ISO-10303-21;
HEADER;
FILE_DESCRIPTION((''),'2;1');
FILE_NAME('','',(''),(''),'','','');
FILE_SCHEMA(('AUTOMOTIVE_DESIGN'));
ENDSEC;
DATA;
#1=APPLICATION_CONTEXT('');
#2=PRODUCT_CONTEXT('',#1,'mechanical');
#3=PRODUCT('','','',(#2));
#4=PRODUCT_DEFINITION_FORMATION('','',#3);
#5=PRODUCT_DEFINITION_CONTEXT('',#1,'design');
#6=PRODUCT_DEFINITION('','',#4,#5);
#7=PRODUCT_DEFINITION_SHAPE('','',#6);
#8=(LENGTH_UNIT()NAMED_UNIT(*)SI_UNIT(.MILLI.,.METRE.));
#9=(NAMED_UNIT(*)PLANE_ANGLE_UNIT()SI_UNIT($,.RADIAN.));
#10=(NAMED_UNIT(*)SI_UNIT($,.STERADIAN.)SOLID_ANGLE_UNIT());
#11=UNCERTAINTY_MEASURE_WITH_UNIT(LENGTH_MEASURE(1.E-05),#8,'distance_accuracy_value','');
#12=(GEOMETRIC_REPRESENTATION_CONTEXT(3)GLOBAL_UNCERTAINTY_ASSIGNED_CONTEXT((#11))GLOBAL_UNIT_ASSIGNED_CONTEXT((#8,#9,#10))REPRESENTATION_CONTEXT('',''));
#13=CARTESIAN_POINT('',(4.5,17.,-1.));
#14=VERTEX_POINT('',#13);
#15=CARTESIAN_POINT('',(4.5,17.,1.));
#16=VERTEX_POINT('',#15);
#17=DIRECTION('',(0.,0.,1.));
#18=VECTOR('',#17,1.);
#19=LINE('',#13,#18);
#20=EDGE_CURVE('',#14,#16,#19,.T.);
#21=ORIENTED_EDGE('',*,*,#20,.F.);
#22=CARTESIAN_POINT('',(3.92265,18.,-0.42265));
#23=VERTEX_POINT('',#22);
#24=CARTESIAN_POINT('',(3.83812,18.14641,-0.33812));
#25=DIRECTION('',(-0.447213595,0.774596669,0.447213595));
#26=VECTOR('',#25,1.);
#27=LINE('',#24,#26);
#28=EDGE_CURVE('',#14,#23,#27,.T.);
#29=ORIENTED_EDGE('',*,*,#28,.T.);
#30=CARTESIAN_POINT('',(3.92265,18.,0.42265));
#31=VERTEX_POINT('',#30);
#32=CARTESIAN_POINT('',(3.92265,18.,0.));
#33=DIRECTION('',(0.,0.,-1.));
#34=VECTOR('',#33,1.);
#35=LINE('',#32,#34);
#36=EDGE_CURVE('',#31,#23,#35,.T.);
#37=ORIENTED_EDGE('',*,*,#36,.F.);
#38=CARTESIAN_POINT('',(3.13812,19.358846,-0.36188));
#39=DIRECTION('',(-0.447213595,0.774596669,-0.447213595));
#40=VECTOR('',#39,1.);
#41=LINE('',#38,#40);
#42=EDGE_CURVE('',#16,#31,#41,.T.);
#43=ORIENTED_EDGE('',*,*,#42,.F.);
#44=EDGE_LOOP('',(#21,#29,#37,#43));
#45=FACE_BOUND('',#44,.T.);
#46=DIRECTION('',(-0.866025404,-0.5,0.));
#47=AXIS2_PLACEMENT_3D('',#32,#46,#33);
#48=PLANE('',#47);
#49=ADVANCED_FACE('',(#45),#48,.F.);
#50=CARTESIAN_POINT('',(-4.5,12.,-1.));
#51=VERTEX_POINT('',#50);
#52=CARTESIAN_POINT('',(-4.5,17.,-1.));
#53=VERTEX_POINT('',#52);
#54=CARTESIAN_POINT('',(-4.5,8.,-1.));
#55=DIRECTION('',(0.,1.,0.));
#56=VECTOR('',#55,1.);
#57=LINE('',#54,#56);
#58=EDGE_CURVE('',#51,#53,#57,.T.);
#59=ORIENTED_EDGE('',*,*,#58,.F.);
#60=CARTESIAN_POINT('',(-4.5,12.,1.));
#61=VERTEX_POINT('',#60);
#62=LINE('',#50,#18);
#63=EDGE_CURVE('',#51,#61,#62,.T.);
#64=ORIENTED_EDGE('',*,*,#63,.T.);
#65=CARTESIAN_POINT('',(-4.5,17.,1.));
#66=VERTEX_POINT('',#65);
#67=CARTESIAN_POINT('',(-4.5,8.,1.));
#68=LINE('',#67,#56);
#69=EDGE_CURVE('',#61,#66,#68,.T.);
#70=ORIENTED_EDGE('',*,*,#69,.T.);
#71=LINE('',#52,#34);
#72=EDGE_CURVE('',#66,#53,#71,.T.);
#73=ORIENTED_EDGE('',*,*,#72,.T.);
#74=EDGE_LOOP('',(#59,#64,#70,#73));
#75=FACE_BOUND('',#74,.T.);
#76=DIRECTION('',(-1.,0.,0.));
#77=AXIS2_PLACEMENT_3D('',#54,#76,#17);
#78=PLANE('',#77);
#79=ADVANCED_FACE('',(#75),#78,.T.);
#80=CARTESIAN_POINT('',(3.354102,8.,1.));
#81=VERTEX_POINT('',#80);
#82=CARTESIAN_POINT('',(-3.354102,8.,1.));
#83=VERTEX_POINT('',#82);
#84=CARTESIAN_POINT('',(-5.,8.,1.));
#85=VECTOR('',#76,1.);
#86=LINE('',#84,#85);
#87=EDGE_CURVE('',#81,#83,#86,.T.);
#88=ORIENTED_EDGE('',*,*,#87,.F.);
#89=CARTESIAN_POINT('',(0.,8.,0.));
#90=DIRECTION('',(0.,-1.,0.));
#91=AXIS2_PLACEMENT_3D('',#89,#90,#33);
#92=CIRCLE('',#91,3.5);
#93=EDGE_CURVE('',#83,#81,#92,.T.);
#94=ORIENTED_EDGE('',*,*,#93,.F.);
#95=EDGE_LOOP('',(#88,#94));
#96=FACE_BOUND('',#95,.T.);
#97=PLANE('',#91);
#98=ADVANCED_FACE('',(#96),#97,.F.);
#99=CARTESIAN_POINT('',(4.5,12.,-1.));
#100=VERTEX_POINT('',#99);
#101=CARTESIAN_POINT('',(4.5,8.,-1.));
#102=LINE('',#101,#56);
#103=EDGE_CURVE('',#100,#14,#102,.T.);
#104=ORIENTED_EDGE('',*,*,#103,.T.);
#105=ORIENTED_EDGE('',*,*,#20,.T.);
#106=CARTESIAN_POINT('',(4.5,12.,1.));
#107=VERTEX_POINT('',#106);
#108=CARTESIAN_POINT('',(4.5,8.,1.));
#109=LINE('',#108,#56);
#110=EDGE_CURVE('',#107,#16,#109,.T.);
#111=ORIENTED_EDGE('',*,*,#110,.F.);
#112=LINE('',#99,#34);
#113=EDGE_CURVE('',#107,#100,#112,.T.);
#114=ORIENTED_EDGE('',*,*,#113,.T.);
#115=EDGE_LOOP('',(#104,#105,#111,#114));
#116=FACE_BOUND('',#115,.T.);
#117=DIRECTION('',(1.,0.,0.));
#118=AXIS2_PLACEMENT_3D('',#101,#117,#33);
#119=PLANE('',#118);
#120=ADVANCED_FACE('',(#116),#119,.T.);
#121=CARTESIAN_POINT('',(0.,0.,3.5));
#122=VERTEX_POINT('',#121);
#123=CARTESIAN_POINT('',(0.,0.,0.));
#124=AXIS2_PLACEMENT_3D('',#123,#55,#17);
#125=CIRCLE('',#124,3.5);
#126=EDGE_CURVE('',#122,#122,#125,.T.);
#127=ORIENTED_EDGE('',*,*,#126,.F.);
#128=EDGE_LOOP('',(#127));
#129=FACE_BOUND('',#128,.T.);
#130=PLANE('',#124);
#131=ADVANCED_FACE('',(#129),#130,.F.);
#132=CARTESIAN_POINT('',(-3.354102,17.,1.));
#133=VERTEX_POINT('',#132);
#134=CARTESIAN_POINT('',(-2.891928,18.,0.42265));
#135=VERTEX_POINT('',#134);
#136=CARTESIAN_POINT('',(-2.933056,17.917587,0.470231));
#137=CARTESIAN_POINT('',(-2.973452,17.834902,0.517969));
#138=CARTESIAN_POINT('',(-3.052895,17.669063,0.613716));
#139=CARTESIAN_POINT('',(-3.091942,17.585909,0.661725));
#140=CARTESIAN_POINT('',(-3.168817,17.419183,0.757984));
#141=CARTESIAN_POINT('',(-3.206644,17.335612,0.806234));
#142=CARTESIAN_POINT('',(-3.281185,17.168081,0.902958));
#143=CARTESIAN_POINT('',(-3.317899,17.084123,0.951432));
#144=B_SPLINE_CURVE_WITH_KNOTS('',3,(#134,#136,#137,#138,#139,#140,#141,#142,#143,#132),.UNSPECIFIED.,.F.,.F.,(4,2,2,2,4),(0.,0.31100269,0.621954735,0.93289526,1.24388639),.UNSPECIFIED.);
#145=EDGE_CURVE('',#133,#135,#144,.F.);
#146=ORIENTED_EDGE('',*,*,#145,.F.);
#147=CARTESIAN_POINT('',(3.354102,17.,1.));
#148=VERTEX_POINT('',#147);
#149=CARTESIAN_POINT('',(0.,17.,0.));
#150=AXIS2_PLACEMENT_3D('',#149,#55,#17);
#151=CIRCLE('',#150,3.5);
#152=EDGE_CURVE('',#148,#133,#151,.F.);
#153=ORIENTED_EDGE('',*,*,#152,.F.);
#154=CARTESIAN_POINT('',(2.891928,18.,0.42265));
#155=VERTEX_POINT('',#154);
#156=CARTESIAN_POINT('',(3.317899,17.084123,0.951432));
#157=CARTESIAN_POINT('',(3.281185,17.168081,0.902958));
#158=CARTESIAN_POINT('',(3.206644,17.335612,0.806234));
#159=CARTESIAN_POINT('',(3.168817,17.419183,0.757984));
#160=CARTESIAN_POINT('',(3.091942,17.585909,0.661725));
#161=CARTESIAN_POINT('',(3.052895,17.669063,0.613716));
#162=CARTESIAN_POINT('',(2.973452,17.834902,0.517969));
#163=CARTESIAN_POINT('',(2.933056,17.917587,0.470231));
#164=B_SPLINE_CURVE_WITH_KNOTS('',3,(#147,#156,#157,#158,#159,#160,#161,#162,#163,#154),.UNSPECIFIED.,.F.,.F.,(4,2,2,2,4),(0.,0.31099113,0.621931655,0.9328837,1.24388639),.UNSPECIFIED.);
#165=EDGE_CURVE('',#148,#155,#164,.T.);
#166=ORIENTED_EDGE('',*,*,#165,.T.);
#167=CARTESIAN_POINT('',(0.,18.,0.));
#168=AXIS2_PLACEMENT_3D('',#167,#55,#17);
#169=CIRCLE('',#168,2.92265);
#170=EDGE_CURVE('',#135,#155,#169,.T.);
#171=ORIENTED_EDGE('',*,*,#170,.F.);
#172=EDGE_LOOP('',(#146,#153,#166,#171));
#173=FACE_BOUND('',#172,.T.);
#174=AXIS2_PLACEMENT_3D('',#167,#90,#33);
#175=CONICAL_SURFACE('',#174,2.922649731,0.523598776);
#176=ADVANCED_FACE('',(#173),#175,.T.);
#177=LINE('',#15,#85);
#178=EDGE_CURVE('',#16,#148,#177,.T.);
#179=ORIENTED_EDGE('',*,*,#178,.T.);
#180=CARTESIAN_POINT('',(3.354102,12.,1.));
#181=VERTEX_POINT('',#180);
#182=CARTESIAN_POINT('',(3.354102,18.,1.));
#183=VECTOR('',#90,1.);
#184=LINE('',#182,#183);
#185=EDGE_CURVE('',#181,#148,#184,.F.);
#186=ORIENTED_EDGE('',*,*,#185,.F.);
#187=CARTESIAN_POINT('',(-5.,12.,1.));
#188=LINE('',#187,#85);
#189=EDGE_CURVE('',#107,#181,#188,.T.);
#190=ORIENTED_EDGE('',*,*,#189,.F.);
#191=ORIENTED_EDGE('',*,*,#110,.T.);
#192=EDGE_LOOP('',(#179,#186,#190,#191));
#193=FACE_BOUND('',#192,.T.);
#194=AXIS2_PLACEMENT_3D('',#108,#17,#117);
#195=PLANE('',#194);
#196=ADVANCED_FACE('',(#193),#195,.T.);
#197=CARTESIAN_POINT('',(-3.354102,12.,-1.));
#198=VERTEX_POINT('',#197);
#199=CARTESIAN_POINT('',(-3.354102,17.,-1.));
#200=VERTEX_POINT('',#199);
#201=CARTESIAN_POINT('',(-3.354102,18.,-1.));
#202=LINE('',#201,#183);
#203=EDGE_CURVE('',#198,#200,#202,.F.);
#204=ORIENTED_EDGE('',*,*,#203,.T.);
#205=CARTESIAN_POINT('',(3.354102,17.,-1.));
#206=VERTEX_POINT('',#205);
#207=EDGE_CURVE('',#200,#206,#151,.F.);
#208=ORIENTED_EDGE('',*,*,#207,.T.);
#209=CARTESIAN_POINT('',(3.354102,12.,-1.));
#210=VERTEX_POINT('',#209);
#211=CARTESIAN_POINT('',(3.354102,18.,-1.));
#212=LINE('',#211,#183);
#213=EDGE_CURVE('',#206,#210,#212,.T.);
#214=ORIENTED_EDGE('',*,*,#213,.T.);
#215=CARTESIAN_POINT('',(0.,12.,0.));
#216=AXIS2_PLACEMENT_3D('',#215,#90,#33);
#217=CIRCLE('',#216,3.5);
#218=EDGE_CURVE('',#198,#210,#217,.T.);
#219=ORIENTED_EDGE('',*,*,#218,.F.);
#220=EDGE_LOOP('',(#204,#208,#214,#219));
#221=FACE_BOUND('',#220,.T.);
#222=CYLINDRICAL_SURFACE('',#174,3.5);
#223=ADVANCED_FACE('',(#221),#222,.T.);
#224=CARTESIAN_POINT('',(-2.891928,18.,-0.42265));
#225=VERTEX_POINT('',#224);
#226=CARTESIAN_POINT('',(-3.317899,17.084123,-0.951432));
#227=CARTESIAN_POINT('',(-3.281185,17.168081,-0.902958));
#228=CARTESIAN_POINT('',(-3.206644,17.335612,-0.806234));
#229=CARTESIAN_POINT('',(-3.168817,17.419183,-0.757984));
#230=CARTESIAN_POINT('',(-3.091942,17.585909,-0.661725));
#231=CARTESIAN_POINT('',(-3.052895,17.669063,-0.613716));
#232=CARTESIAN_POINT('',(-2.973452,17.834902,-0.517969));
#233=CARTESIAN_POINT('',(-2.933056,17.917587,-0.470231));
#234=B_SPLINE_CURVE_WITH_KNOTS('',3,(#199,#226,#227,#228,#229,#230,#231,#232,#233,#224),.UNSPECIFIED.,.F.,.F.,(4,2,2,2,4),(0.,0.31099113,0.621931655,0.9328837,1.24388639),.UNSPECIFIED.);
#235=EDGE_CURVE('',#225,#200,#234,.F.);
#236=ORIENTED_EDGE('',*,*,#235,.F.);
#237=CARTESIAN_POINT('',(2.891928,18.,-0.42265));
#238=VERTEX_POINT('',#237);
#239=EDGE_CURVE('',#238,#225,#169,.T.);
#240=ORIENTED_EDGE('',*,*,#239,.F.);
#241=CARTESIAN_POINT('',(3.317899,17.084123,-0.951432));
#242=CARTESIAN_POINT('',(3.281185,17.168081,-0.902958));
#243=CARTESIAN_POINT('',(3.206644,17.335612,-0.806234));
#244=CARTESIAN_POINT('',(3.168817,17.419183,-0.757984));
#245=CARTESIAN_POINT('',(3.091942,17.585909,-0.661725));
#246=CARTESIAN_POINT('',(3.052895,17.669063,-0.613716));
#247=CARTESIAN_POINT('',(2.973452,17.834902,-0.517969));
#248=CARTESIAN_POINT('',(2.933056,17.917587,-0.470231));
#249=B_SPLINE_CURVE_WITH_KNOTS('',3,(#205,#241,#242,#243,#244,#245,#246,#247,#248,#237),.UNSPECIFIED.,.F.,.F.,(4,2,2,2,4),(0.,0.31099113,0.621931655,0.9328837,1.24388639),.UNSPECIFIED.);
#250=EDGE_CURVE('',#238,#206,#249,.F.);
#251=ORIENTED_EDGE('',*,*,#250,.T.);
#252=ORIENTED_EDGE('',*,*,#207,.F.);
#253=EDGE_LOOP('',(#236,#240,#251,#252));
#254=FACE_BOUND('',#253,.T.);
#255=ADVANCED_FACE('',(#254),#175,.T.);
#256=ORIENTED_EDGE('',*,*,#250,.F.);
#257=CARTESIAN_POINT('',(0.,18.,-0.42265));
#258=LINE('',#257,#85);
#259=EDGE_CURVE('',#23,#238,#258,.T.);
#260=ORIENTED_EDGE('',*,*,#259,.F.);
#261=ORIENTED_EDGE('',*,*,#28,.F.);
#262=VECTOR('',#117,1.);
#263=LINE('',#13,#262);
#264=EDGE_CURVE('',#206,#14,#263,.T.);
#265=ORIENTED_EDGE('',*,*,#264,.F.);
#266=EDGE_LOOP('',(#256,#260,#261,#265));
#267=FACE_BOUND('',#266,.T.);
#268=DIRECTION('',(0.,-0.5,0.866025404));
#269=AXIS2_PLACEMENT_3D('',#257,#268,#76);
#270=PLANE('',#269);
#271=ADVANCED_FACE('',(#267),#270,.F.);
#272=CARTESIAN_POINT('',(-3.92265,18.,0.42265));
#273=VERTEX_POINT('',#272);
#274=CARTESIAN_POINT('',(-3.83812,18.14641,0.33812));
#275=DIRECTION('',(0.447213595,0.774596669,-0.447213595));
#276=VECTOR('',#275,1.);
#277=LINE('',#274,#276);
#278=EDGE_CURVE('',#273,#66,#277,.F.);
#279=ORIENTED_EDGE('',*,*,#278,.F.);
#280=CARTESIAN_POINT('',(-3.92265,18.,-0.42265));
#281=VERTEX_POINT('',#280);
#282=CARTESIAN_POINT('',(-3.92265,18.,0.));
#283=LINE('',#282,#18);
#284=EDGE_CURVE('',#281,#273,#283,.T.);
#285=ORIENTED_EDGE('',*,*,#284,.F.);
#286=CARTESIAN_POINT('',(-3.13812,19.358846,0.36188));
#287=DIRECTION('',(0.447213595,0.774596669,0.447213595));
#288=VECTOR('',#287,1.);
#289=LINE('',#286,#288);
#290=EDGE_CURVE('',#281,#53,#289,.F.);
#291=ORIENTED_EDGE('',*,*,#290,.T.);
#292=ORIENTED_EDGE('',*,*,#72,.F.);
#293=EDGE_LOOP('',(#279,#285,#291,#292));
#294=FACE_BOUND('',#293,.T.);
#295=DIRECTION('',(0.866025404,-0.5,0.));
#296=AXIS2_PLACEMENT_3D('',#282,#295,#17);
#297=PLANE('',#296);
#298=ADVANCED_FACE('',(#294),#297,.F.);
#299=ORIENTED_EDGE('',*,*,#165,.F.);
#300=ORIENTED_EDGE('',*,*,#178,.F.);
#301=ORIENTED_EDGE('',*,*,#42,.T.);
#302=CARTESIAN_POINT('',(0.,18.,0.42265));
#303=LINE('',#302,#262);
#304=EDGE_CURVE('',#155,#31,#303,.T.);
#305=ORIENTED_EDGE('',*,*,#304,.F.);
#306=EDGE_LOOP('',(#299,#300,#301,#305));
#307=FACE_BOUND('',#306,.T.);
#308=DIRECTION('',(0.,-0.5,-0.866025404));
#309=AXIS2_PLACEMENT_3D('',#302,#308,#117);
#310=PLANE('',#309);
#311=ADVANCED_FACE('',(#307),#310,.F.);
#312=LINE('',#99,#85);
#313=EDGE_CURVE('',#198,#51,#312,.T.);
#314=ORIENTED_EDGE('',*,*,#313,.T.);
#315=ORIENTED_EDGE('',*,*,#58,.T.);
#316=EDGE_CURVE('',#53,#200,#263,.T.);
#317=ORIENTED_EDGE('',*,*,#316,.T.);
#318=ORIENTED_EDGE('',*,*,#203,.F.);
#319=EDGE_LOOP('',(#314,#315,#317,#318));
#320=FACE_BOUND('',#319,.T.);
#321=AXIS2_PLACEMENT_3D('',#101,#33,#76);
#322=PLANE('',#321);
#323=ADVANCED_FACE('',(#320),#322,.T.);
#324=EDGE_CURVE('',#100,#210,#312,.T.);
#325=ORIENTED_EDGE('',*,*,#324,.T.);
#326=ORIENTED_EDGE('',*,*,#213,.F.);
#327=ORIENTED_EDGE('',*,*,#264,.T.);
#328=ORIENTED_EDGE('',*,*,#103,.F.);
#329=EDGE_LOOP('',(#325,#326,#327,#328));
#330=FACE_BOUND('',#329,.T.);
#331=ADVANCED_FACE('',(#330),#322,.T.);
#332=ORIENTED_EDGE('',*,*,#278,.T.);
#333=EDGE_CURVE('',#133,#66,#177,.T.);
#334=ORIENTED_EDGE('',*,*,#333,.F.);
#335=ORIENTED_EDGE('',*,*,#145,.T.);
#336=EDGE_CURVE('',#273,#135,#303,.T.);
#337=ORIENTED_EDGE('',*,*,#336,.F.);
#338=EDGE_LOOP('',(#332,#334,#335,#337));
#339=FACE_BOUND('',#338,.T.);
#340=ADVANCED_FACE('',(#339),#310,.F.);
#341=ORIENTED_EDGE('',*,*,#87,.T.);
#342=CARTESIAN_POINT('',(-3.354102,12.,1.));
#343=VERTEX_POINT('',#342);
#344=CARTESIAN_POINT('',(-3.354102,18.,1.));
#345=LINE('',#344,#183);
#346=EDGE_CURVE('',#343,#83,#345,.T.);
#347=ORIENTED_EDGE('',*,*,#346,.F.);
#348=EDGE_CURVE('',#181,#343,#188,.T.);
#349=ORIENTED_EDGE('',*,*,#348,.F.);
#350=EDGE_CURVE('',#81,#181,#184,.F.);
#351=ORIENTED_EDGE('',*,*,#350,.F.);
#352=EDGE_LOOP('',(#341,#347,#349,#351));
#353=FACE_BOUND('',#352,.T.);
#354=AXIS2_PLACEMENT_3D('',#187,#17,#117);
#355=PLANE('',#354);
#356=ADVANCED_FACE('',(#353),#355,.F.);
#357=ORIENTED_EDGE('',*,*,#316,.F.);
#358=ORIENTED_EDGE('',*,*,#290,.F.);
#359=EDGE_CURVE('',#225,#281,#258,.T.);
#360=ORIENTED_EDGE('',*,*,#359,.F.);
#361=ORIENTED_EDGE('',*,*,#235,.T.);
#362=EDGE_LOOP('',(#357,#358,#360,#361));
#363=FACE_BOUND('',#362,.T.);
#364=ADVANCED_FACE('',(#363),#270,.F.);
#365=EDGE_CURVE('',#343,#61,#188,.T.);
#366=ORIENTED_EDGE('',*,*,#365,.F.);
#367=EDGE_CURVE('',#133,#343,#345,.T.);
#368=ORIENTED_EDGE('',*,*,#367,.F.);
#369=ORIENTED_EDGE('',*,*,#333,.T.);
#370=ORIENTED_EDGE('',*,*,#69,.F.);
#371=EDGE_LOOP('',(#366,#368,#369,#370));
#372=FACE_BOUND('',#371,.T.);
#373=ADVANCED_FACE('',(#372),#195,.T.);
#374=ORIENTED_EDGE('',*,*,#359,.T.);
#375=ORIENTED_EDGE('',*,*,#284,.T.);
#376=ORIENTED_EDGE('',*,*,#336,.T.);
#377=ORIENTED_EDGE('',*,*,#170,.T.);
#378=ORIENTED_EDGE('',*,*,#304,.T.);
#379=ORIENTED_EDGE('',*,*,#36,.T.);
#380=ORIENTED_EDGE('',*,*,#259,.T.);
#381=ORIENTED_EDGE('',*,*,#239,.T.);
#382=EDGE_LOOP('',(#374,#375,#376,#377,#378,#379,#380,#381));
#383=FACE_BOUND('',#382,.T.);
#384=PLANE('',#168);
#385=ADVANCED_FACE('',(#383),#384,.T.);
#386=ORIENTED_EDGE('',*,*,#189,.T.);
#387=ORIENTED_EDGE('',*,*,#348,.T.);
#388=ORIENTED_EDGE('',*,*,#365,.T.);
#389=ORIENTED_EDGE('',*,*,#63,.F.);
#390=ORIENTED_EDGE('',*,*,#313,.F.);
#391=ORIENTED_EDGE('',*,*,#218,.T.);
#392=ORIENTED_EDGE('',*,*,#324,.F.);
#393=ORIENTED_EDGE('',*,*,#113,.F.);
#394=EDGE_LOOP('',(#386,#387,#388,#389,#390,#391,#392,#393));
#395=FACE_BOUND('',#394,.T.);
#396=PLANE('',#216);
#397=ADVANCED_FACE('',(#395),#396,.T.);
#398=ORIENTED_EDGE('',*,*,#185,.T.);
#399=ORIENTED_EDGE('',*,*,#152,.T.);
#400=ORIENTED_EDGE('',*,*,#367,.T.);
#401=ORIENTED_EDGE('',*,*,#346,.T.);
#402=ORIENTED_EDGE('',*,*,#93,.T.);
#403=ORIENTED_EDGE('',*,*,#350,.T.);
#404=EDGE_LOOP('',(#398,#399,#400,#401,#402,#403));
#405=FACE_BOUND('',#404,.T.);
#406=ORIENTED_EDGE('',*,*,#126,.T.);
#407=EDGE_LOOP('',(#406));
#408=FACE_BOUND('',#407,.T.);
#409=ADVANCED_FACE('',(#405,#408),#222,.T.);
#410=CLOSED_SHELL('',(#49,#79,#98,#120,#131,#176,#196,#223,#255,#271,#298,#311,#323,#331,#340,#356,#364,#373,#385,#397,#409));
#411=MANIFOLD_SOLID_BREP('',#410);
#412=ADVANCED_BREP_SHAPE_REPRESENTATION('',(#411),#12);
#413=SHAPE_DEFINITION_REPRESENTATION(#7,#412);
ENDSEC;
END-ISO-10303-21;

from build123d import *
from OCP.BRepFilletAPI import BRepFilletAPI_MakeChamfer

# Parameters (mm, degrees)
SKETCH1_R           = 3.5
BOSS_EXTRUDE1_DEPTH = 18
SKETCH2_W           = 9
SKETCH2_H           = 2
BOSS_EXTRUDE3_DEPTH = 10
CUT_EXTRUDE3_START  = -8
SKETCH3_W           = 10
SKETCH3_H           = 4.5
CUT_EXTRUDE3_DEPTH  = 4
CHAMFER1_SIZE       = 1
CHAMFER1_SIZE2      = 0.577350269


with BuildPart() as part:
    # Sketch1 → Boss-Extrude1 (new body)
    with BuildSketch(Plane(origin=(0, 0, 0), x_dir=(1, 0, 0), z_dir=(0, 1, 0))):
        with Locations(Location((0, 0, 0), (0, 0, 270))):
            Circle(SKETCH1_R)
    extrude(amount=BOSS_EXTRUDE1_DEPTH)

    # Sketch2 → Boss-Extrude3 (add)
    with BuildSketch(Plane(origin=(0, 18, 0), x_dir=(1, 0, 0), z_dir=(0, 1, 0))):
        Rectangle(SKETCH2_W, SKETCH2_H)
    extrude(amount=-BOSS_EXTRUDE3_DEPTH)

    # Sketch3 → Cut-Extrude3 (cut)
    with BuildSketch(Plane.XZ.offset(CUT_EXTRUDE3_START)):
        with Locations((0, -1.25)):
            Rectangle(SKETCH3_W, SKETCH3_H)
    extrude(amount=-CUT_EXTRUDE3_DEPTH, mode=Mode.SUBTRACT)

    # Chamfer1: one chamfer whose edges measure the first distance from different faces: ONE call of the kernel's chamfer builder (chamfer() names one face for all edges)
    chamfer1_edges_1 = [part.edges().sort_by_distance(p)[0] for p in [
        (3.927050983, 18, -1),
    ]]
    chamfer1_side_1 = [part.faces().sort_by_distance(p)[0] for p in [
        (3.927050983, 15, -1),
    ]]
    chamfer1_edges_2 = [part.edges().sort_by_distance(p)[0] for p in [
        (3.927050983, 18, 1),
    ]]
    chamfer1_side_2 = [part.faces().sort_by_distance(p)[0] for p in [
        (3.927050983, 15, 1),
    ]]
    chamfer1_edges_3 = [part.edges().sort_by_distance(p)[0] for p in [
        (4.5, 18, 0),
    ]]
    chamfer1_side_3 = [part.faces().sort_by_distance(p)[0] for p in [
        (4.5, 15, 0),
    ]]
    chamfer1_edges_4 = [part.edges().sort_by_distance(p)[0] for p in [
        (-3.927050983, 18, 1),
    ]]
    chamfer1_side_4 = [part.faces().sort_by_distance(p)[0] for p in [
        (-3.927050983, 15, 1),
    ]]
    chamfer1_edges_5 = [part.edges().sort_by_distance(p)[0] for p in [
        (-3.927050983, 18, -1),
    ]]
    chamfer1_side_5 = [part.faces().sort_by_distance(p)[0] for p in [
        (-3.927050983, 15, -1),
    ]]
    chamfer1_edges_6 = [part.edges().sort_by_distance(p)[0] for p in [
        (-4.5, 18, 0),
    ]]
    chamfer1_side_6 = [part.faces().sort_by_distance(p)[0] for p in [
        (-4.5, 15, 0),
    ]]
    chamfer1_edges_7 = [part.edges().sort_by_distance(p)[0] for p in [
        (0, 18, -3.5),
    ]]
    chamfer1_side_7 = [part.faces().sort_by_distance(p)[0] for p in [
        (0, 15, -3.5),
    ]]
    chamfer1_edges_8 = [part.edges().sort_by_distance(p)[0] for p in [
        (2.091650066, 18, 2.80624304),
    ]]
    chamfer1_side_8 = [part.faces().sort_by_distance(p)[0] for p in [
        (0, 9, -3.5),
    ]]
    chamfer1 = BRepFilletAPI_MakeChamfer(part.part.solid().wrapped)
    for e in chamfer1_edges_1:
        chamfer1.Add(CHAMFER1_SIZE, CHAMFER1_SIZE2, e.wrapped, chamfer1_side_1[0].wrapped)  # the first distance lies on this face
    for e in chamfer1_edges_2:
        chamfer1.Add(CHAMFER1_SIZE, CHAMFER1_SIZE2, e.wrapped, chamfer1_side_2[0].wrapped)  # the first distance lies on this face
    for e in chamfer1_edges_3:
        chamfer1.Add(CHAMFER1_SIZE, CHAMFER1_SIZE2, e.wrapped, chamfer1_side_3[0].wrapped)  # the first distance lies on this face
    for e in chamfer1_edges_4:
        chamfer1.Add(CHAMFER1_SIZE, CHAMFER1_SIZE2, e.wrapped, chamfer1_side_4[0].wrapped)  # the first distance lies on this face
    for e in chamfer1_edges_5:
        chamfer1.Add(CHAMFER1_SIZE, CHAMFER1_SIZE2, e.wrapped, chamfer1_side_5[0].wrapped)  # the first distance lies on this face
    for e in chamfer1_edges_6:
        chamfer1.Add(CHAMFER1_SIZE, CHAMFER1_SIZE2, e.wrapped, chamfer1_side_6[0].wrapped)  # the first distance lies on this face
    for e in chamfer1_edges_7:
        chamfer1.Add(CHAMFER1_SIZE, CHAMFER1_SIZE2, e.wrapped, chamfer1_side_7[0].wrapped)  # the first distance lies on this face
    for e in chamfer1_edges_8:
        chamfer1.Add(CHAMFER1_SIZE, CHAMFER1_SIZE2, e.wrapped, chamfer1_side_8[0].wrapped)  # the first distance lies on this face
    add(Compound.cast(chamfer1.Shape()), mode=Mode.REPLACE)


solid = part.part
